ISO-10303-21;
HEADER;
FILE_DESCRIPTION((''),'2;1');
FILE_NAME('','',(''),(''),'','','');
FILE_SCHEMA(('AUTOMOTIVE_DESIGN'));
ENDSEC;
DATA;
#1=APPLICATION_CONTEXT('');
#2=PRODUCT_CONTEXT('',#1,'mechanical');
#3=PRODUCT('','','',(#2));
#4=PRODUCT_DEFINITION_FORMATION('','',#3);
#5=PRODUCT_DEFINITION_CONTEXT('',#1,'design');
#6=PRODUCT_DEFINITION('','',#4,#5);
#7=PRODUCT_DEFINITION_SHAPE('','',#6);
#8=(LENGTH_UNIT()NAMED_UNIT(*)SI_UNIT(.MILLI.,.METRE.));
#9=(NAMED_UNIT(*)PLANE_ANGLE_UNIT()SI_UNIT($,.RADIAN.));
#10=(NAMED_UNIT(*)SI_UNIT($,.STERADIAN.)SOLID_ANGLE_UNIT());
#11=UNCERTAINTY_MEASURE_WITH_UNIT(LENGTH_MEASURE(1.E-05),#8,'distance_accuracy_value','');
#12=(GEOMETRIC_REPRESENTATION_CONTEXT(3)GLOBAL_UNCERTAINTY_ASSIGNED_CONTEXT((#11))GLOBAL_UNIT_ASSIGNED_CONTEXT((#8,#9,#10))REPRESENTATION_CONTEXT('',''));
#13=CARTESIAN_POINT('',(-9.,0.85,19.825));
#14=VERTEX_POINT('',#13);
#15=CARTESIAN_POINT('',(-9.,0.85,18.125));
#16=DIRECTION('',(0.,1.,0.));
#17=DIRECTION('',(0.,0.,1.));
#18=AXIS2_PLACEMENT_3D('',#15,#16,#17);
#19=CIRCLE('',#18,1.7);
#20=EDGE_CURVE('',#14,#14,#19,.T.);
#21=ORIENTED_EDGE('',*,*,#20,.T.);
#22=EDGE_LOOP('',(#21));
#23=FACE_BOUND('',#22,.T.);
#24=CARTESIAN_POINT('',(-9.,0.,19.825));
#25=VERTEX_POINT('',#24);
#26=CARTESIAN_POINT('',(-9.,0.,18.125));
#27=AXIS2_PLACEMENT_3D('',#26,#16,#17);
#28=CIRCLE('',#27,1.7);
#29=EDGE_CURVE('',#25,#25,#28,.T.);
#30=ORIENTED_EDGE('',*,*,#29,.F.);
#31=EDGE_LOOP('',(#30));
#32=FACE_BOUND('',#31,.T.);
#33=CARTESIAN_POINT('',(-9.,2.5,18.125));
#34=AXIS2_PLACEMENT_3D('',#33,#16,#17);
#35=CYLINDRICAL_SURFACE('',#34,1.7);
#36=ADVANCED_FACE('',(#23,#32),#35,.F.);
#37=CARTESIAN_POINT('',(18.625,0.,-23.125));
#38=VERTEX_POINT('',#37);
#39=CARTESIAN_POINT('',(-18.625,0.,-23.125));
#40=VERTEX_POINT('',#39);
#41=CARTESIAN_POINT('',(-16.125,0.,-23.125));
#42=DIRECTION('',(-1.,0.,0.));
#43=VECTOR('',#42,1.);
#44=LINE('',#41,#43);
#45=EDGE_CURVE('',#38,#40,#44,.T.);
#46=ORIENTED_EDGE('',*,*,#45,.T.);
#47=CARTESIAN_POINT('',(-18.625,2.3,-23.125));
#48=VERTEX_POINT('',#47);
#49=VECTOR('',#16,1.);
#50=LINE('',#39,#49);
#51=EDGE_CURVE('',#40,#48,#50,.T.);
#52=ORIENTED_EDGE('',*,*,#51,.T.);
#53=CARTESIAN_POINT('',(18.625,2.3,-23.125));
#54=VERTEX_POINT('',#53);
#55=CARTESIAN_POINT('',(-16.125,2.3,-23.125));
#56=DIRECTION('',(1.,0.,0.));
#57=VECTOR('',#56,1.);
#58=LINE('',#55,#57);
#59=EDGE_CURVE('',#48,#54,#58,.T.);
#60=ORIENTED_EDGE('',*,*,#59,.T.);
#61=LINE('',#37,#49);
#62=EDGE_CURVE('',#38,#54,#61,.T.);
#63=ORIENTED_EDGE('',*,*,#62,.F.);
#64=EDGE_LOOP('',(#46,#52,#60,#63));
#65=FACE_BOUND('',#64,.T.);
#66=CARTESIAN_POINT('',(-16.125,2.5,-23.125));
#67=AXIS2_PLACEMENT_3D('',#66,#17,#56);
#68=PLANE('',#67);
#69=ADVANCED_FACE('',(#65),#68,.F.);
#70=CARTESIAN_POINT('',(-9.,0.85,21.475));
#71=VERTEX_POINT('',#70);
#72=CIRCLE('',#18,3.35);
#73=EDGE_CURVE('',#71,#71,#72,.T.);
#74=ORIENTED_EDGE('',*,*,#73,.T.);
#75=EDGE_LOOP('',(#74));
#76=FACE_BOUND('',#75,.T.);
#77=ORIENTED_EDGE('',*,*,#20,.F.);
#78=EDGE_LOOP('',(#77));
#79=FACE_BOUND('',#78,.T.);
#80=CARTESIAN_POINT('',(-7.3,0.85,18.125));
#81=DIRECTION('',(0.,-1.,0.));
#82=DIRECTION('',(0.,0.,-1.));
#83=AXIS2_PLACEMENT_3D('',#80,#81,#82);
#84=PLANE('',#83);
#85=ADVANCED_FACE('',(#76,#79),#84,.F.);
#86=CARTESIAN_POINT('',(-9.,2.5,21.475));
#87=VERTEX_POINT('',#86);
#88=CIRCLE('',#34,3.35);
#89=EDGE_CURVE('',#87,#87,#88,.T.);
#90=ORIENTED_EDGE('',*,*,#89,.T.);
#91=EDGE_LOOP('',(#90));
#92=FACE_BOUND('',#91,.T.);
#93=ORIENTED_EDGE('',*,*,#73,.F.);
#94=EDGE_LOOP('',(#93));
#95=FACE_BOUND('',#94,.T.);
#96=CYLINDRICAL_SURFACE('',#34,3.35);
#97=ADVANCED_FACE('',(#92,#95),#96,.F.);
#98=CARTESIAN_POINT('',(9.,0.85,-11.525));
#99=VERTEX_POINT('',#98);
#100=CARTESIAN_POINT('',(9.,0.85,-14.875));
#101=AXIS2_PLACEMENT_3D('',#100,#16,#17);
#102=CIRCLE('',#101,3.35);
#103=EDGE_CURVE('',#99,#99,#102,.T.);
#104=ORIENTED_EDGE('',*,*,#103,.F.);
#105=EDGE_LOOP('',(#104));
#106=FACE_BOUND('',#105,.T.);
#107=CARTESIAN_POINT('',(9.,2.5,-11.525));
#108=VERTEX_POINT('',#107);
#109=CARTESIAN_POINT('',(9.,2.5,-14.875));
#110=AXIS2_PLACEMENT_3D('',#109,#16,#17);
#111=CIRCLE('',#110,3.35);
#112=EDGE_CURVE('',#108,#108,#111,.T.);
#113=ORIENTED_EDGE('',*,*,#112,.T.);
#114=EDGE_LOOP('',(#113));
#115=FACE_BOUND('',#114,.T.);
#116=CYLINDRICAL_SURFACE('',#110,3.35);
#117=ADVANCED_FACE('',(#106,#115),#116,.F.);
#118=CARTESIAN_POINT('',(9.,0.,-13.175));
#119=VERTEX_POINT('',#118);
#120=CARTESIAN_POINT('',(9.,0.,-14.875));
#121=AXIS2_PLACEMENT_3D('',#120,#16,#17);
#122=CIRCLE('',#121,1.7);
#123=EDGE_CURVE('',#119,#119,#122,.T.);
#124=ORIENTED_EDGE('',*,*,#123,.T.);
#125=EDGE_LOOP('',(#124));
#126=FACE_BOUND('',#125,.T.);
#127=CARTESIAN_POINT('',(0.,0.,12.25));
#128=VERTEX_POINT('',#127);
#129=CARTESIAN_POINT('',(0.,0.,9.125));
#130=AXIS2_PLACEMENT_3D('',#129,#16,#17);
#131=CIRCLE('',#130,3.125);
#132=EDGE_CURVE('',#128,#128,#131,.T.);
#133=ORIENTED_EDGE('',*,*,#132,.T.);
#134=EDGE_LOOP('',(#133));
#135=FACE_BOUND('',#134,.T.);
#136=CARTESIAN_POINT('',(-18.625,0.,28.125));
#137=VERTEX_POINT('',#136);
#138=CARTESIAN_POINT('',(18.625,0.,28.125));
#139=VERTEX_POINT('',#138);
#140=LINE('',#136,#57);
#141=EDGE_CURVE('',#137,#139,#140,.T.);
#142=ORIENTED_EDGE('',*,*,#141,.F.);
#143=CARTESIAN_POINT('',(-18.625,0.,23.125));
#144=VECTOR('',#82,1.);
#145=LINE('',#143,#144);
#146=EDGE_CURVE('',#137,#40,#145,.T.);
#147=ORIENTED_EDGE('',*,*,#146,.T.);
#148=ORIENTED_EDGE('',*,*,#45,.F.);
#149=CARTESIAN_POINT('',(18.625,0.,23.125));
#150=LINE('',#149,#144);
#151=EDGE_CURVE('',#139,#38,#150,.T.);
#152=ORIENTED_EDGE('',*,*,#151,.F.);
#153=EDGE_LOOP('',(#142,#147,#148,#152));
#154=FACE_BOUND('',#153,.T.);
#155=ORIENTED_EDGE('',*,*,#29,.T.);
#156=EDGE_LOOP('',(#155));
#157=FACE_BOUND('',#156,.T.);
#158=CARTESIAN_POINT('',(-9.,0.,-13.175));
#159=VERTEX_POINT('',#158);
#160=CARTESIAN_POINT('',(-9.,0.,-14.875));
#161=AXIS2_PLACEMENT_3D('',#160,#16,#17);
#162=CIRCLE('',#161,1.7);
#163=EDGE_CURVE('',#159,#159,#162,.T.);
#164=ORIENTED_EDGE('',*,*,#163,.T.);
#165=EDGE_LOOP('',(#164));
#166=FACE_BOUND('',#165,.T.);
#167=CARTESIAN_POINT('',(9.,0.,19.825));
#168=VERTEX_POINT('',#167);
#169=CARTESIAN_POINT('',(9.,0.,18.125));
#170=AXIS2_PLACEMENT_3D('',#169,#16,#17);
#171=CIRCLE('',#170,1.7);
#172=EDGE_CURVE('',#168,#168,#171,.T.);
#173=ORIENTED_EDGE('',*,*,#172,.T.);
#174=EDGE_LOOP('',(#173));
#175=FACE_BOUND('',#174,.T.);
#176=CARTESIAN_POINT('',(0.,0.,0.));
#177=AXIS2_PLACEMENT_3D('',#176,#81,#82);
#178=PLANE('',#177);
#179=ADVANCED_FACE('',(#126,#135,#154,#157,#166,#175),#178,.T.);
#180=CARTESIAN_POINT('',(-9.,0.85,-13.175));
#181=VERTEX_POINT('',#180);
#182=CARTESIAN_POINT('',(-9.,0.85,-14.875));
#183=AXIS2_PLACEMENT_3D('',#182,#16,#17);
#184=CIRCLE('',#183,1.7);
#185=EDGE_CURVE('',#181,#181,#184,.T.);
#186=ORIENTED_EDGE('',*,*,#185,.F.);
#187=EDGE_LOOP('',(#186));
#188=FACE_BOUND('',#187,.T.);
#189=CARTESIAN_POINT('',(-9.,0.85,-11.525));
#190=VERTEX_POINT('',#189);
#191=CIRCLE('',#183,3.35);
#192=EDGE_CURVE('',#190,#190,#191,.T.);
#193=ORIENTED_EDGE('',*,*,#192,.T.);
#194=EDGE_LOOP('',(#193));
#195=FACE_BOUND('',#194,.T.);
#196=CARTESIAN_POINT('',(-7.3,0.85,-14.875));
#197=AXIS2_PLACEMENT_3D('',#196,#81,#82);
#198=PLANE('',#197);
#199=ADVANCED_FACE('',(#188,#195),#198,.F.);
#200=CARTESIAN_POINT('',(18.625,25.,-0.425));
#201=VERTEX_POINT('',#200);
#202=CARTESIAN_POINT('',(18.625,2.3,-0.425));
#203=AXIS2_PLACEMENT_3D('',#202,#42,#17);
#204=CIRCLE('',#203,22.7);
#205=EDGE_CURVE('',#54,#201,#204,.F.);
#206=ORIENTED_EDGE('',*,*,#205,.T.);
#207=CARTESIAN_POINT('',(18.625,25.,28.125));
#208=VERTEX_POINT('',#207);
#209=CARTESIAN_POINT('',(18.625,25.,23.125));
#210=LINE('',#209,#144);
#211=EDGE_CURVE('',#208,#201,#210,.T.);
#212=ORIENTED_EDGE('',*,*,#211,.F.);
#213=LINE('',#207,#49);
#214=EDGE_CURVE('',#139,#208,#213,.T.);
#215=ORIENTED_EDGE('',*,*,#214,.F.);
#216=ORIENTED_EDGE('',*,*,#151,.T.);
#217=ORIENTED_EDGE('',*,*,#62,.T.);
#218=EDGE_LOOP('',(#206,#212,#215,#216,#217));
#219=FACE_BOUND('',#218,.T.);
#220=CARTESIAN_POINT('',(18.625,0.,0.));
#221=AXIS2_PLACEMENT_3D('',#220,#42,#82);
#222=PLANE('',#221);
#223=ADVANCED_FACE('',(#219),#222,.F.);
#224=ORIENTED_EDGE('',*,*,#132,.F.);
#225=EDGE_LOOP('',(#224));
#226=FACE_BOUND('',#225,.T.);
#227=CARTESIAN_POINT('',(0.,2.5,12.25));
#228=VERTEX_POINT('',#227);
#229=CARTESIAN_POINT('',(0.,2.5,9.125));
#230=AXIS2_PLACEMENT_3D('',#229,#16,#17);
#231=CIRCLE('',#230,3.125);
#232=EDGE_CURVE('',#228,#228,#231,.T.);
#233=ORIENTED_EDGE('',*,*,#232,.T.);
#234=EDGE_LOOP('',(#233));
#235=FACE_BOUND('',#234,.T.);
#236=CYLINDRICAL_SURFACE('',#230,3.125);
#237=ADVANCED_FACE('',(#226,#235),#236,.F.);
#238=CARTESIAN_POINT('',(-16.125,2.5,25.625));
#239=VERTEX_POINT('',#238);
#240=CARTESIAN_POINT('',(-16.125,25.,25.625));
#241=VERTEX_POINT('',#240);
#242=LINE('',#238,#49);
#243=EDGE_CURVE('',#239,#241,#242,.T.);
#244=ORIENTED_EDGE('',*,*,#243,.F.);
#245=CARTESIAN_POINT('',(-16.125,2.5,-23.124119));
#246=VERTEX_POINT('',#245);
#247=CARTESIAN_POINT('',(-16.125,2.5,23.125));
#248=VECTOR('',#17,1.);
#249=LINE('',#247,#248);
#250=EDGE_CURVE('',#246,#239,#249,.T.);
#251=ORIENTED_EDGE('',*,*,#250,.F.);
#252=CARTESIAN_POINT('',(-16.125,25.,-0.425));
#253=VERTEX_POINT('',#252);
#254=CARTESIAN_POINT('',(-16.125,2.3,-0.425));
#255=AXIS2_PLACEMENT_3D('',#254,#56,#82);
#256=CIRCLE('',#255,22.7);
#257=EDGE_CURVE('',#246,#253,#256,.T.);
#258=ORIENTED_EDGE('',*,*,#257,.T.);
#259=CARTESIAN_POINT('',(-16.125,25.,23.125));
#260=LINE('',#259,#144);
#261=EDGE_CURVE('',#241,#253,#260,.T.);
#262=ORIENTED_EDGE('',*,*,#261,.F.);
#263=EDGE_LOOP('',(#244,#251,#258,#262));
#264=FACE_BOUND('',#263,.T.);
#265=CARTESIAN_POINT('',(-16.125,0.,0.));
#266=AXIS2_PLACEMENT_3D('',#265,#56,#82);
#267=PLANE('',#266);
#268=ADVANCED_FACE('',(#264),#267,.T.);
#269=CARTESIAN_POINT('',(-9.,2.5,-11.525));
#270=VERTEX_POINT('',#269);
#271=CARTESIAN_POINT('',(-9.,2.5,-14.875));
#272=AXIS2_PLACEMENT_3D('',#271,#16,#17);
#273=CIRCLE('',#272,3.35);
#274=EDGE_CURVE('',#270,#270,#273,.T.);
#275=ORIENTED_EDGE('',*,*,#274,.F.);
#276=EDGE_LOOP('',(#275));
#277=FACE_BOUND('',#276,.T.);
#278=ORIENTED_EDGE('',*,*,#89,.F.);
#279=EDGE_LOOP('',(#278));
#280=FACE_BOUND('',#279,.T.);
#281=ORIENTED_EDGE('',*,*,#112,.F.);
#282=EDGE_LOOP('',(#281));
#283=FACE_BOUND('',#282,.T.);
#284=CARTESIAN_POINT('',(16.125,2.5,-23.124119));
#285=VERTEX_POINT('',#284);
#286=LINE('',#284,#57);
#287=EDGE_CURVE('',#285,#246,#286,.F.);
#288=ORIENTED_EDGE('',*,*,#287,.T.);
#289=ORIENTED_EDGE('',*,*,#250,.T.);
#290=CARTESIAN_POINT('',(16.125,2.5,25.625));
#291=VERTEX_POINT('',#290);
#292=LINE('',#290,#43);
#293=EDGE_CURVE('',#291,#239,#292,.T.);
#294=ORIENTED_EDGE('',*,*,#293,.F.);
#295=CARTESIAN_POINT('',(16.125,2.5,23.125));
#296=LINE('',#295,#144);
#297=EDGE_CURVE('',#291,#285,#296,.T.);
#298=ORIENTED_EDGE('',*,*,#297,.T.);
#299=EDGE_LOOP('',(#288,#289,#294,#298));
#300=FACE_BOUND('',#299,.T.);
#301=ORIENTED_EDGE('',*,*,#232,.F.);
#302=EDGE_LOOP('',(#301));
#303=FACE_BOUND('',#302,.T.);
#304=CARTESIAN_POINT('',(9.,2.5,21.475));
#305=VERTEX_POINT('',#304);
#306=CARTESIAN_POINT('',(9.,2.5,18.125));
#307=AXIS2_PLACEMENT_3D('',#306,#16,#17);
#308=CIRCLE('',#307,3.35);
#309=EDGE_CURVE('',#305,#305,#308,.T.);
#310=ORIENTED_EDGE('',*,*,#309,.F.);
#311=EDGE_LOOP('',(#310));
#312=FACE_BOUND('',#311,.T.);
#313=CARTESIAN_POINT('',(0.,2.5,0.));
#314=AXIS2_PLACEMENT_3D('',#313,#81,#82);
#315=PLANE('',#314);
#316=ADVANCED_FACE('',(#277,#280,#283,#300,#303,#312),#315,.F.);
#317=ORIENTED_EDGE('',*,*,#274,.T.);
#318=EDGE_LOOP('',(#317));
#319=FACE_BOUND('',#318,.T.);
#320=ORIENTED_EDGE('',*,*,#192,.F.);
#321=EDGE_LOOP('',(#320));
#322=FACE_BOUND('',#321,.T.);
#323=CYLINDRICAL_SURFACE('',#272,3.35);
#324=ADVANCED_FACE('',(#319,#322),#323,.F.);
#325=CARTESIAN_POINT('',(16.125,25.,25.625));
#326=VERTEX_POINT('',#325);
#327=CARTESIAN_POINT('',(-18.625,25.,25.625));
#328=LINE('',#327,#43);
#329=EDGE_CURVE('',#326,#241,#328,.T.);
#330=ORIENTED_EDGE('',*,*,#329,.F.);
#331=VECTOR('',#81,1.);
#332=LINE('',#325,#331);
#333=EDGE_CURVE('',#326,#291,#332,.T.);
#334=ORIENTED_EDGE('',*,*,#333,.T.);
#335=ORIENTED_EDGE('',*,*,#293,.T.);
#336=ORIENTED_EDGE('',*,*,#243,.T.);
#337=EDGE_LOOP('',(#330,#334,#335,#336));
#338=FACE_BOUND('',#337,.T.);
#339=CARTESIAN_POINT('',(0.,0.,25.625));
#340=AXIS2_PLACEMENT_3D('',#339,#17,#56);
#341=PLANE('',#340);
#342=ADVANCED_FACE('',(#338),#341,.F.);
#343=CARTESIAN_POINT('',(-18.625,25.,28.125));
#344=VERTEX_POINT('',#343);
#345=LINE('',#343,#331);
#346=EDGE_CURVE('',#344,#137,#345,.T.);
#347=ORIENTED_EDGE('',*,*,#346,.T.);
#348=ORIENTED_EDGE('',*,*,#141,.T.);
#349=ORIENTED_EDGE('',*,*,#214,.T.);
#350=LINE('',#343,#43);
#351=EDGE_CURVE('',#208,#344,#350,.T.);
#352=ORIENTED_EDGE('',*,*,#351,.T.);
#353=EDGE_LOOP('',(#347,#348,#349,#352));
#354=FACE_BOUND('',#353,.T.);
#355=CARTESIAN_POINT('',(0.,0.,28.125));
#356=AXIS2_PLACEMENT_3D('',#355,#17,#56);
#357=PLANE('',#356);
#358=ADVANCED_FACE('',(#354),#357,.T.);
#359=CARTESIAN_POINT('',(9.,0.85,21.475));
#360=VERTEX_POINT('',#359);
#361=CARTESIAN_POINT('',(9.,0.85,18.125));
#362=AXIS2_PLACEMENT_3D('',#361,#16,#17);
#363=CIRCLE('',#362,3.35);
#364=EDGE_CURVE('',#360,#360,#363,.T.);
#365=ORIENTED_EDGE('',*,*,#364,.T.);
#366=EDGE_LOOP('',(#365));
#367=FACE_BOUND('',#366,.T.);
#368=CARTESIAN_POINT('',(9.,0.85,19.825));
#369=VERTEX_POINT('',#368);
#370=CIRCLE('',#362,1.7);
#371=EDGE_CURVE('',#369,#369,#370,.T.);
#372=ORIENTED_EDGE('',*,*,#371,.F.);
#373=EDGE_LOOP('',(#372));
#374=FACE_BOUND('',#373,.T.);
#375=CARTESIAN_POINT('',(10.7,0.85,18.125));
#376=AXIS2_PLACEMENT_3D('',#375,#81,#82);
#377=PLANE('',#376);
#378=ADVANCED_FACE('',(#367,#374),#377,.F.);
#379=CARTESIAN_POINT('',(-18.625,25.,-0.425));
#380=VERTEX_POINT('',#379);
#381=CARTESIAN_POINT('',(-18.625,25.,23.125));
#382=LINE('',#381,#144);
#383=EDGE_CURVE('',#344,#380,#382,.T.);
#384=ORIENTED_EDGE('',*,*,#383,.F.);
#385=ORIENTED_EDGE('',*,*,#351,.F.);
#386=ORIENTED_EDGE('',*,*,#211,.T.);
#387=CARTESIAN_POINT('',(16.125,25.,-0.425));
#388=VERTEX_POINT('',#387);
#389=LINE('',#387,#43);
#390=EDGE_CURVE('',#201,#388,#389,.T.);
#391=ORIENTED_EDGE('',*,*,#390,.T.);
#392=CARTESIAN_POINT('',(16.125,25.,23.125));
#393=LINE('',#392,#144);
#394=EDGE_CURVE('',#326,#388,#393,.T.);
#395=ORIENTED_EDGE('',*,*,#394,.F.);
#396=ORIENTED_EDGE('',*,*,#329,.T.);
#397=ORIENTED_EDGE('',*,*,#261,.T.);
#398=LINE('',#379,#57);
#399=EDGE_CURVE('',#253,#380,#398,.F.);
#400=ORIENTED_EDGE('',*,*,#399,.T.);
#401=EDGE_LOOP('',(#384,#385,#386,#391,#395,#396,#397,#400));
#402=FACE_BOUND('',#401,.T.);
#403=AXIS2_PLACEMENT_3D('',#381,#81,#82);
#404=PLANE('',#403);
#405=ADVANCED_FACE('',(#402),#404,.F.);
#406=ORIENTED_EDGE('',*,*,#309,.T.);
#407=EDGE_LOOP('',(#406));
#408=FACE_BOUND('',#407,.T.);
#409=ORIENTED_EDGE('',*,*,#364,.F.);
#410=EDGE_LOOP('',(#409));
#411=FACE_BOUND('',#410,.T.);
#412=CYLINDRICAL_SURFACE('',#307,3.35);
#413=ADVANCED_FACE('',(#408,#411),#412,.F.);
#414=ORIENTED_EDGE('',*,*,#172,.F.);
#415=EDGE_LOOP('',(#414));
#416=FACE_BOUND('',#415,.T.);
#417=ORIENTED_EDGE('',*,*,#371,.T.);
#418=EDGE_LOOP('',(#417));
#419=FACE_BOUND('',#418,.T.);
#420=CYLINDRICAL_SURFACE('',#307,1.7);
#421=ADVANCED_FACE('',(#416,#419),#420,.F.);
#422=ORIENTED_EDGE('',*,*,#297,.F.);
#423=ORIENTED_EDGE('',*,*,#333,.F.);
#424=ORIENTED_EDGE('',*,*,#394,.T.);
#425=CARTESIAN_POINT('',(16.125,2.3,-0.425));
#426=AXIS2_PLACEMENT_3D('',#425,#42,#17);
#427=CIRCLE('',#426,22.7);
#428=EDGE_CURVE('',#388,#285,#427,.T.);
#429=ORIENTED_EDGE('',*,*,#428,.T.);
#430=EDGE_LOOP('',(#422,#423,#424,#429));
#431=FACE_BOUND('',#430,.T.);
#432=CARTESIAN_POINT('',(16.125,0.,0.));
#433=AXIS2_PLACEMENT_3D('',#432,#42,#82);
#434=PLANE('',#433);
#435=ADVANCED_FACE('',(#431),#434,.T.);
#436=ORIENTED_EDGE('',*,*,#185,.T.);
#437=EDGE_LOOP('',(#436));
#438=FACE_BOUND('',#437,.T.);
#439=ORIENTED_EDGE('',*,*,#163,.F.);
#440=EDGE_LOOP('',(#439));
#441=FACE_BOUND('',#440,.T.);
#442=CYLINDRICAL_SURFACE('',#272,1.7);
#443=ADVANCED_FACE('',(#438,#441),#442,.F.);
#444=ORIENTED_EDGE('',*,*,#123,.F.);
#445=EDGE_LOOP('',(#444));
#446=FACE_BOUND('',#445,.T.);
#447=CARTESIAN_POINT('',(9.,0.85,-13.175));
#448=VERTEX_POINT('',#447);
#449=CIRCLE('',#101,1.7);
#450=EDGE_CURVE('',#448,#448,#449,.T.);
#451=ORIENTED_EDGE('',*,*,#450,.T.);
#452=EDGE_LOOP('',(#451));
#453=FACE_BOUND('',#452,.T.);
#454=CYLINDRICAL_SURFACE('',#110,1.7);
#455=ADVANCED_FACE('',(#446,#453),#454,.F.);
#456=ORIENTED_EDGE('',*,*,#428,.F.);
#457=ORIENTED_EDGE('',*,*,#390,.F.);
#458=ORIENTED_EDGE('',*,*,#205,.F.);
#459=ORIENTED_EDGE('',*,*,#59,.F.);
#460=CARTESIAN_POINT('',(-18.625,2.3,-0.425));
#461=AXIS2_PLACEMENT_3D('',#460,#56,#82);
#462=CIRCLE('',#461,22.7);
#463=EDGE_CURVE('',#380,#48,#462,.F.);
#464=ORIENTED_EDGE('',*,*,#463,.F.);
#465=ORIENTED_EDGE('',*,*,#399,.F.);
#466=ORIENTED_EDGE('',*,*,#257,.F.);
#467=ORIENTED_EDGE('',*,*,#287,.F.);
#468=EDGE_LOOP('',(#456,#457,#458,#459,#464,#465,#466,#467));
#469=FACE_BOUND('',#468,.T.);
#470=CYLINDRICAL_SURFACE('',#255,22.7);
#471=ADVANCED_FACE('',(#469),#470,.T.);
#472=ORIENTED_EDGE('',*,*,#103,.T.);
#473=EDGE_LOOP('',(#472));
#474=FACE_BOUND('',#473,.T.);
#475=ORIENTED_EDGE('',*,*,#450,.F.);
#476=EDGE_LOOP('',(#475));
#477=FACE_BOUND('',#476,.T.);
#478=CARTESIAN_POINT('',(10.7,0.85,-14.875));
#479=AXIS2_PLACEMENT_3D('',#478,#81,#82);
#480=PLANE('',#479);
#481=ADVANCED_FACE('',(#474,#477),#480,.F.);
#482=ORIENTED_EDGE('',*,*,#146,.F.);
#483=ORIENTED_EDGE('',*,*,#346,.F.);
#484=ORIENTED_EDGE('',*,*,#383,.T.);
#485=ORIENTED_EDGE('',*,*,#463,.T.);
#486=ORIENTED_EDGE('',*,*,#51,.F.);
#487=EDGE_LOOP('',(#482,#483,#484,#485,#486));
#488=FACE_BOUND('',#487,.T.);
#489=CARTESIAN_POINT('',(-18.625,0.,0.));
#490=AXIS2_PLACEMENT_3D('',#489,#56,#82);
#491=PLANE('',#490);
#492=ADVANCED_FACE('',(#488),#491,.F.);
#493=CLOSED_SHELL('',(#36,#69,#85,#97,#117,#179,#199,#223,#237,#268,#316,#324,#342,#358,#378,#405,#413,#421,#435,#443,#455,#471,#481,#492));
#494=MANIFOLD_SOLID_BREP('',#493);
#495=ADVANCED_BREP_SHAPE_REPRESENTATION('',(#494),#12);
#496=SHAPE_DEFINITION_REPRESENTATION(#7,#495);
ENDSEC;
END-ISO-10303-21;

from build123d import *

# Parameters (mm, degrees)
SKETCH12_W                      = 32.25
SKETCH12_H                      = 46.25
BOSS_EXTRUDE2_DEPTH             = 2.5
CBORE_FOR_M3_SBHCS1_D           = 3.4
CBORE_FOR_M3_SBHCS1_CBORE_D     = 6.7
CBORE_FOR_M3_SBHCS1_CBORE_DEPTH = 1.65
F_6_0MM_DOWEL_HOLE1_D           = 6.25
SKETCH20_W                      = 46.25
SKETCH20_H                      = 25
BOSS_EXTRUDE3_DEPTH             = 2.5
FILLET1_R                       = 22.7
BOSS_EXTRUDE4_DEPTH             = 2.5
SKETCH23_W                      = 37.25
SKETCH23_H                      = 25
BOSS_EXTRUDE5_DEPTH             = 2.5


with BuildPart() as part:
    # Sketch12 → Boss-Extrude2 (new body)
    with BuildSketch(Plane(origin=(0, 0, 0), x_dir=(1, 0, 0), z_dir=(0, 1, 0))):
        Rectangle(SKETCH12_W, SKETCH12_H)
    extrude(amount=BOSS_EXTRUDE2_DEPTH)

    # CBORE for M3 SBHCS1 (through all)
    with Locations(Plane(origin=(0, 2.5, 0), x_dir=(1, 0, 0), z_dir=(0, 1, 0))):
        with Locations((-9, 14.875), (9, 14.875), (9, -18.125), (-9, -18.125)):
            CounterBoreHole(CBORE_FOR_M3_SBHCS1_D / 2, CBORE_FOR_M3_SBHCS1_CBORE_D / 2, CBORE_FOR_M3_SBHCS1_CBORE_DEPTH)

    # Ø6.0mm Dowel Hole1 (through all)
    with Locations(Plane(origin=(0, 2.5, 0), x_dir=(1, 0, 0), z_dir=(0, 1, 0))):
        with Locations((0, -9.125)):
            Hole(F_6_0MM_DOWEL_HOLE1_D / 2)

    # Sketch20 → Boss-Extrude3 (add)
    with BuildSketch(Plane.ZY.offset(16.125)):
        with Locations((0, 12.5)):
            Rectangle(SKETCH20_W, SKETCH20_H)
    boss_extrude3 = extrude(amount=BOSS_EXTRUDE3_DEPTH)

    # Mirror1: Boss-Extrude3 across plane
    add(boss_extrude3.mirror(Plane.ZY))

    # Fillet1
    fillet1_edges = [part.edges().sort_by_distance(p)[0] for p in [
        (-17.375, 25, -23.125),
    ]]
    fillet(fillet1_edges, radius=FILLET1_R)

    # Sketch22 → Boss-Extrude4 (add)
    with BuildSketch(Plane.XY.offset(23.125)):
        Polygon((-18.625, 0), (18.625, 0), (18.625, 25), (16.125, 25), (16.125, 2.5), (-16.125, 2.5), (-16.125, 25), (-18.625, 25), align=None)
    extrude(amount=BOSS_EXTRUDE4_DEPTH)

    # Sketch23 → Boss-Extrude5 (add)
    with BuildSketch(Plane.XY.offset(25.625)):
        with Locations((0, 12.5)):
            Rectangle(SKETCH23_W, SKETCH23_H)
    extrude(amount=BOSS_EXTRUDE5_DEPTH)


solid = part.part
